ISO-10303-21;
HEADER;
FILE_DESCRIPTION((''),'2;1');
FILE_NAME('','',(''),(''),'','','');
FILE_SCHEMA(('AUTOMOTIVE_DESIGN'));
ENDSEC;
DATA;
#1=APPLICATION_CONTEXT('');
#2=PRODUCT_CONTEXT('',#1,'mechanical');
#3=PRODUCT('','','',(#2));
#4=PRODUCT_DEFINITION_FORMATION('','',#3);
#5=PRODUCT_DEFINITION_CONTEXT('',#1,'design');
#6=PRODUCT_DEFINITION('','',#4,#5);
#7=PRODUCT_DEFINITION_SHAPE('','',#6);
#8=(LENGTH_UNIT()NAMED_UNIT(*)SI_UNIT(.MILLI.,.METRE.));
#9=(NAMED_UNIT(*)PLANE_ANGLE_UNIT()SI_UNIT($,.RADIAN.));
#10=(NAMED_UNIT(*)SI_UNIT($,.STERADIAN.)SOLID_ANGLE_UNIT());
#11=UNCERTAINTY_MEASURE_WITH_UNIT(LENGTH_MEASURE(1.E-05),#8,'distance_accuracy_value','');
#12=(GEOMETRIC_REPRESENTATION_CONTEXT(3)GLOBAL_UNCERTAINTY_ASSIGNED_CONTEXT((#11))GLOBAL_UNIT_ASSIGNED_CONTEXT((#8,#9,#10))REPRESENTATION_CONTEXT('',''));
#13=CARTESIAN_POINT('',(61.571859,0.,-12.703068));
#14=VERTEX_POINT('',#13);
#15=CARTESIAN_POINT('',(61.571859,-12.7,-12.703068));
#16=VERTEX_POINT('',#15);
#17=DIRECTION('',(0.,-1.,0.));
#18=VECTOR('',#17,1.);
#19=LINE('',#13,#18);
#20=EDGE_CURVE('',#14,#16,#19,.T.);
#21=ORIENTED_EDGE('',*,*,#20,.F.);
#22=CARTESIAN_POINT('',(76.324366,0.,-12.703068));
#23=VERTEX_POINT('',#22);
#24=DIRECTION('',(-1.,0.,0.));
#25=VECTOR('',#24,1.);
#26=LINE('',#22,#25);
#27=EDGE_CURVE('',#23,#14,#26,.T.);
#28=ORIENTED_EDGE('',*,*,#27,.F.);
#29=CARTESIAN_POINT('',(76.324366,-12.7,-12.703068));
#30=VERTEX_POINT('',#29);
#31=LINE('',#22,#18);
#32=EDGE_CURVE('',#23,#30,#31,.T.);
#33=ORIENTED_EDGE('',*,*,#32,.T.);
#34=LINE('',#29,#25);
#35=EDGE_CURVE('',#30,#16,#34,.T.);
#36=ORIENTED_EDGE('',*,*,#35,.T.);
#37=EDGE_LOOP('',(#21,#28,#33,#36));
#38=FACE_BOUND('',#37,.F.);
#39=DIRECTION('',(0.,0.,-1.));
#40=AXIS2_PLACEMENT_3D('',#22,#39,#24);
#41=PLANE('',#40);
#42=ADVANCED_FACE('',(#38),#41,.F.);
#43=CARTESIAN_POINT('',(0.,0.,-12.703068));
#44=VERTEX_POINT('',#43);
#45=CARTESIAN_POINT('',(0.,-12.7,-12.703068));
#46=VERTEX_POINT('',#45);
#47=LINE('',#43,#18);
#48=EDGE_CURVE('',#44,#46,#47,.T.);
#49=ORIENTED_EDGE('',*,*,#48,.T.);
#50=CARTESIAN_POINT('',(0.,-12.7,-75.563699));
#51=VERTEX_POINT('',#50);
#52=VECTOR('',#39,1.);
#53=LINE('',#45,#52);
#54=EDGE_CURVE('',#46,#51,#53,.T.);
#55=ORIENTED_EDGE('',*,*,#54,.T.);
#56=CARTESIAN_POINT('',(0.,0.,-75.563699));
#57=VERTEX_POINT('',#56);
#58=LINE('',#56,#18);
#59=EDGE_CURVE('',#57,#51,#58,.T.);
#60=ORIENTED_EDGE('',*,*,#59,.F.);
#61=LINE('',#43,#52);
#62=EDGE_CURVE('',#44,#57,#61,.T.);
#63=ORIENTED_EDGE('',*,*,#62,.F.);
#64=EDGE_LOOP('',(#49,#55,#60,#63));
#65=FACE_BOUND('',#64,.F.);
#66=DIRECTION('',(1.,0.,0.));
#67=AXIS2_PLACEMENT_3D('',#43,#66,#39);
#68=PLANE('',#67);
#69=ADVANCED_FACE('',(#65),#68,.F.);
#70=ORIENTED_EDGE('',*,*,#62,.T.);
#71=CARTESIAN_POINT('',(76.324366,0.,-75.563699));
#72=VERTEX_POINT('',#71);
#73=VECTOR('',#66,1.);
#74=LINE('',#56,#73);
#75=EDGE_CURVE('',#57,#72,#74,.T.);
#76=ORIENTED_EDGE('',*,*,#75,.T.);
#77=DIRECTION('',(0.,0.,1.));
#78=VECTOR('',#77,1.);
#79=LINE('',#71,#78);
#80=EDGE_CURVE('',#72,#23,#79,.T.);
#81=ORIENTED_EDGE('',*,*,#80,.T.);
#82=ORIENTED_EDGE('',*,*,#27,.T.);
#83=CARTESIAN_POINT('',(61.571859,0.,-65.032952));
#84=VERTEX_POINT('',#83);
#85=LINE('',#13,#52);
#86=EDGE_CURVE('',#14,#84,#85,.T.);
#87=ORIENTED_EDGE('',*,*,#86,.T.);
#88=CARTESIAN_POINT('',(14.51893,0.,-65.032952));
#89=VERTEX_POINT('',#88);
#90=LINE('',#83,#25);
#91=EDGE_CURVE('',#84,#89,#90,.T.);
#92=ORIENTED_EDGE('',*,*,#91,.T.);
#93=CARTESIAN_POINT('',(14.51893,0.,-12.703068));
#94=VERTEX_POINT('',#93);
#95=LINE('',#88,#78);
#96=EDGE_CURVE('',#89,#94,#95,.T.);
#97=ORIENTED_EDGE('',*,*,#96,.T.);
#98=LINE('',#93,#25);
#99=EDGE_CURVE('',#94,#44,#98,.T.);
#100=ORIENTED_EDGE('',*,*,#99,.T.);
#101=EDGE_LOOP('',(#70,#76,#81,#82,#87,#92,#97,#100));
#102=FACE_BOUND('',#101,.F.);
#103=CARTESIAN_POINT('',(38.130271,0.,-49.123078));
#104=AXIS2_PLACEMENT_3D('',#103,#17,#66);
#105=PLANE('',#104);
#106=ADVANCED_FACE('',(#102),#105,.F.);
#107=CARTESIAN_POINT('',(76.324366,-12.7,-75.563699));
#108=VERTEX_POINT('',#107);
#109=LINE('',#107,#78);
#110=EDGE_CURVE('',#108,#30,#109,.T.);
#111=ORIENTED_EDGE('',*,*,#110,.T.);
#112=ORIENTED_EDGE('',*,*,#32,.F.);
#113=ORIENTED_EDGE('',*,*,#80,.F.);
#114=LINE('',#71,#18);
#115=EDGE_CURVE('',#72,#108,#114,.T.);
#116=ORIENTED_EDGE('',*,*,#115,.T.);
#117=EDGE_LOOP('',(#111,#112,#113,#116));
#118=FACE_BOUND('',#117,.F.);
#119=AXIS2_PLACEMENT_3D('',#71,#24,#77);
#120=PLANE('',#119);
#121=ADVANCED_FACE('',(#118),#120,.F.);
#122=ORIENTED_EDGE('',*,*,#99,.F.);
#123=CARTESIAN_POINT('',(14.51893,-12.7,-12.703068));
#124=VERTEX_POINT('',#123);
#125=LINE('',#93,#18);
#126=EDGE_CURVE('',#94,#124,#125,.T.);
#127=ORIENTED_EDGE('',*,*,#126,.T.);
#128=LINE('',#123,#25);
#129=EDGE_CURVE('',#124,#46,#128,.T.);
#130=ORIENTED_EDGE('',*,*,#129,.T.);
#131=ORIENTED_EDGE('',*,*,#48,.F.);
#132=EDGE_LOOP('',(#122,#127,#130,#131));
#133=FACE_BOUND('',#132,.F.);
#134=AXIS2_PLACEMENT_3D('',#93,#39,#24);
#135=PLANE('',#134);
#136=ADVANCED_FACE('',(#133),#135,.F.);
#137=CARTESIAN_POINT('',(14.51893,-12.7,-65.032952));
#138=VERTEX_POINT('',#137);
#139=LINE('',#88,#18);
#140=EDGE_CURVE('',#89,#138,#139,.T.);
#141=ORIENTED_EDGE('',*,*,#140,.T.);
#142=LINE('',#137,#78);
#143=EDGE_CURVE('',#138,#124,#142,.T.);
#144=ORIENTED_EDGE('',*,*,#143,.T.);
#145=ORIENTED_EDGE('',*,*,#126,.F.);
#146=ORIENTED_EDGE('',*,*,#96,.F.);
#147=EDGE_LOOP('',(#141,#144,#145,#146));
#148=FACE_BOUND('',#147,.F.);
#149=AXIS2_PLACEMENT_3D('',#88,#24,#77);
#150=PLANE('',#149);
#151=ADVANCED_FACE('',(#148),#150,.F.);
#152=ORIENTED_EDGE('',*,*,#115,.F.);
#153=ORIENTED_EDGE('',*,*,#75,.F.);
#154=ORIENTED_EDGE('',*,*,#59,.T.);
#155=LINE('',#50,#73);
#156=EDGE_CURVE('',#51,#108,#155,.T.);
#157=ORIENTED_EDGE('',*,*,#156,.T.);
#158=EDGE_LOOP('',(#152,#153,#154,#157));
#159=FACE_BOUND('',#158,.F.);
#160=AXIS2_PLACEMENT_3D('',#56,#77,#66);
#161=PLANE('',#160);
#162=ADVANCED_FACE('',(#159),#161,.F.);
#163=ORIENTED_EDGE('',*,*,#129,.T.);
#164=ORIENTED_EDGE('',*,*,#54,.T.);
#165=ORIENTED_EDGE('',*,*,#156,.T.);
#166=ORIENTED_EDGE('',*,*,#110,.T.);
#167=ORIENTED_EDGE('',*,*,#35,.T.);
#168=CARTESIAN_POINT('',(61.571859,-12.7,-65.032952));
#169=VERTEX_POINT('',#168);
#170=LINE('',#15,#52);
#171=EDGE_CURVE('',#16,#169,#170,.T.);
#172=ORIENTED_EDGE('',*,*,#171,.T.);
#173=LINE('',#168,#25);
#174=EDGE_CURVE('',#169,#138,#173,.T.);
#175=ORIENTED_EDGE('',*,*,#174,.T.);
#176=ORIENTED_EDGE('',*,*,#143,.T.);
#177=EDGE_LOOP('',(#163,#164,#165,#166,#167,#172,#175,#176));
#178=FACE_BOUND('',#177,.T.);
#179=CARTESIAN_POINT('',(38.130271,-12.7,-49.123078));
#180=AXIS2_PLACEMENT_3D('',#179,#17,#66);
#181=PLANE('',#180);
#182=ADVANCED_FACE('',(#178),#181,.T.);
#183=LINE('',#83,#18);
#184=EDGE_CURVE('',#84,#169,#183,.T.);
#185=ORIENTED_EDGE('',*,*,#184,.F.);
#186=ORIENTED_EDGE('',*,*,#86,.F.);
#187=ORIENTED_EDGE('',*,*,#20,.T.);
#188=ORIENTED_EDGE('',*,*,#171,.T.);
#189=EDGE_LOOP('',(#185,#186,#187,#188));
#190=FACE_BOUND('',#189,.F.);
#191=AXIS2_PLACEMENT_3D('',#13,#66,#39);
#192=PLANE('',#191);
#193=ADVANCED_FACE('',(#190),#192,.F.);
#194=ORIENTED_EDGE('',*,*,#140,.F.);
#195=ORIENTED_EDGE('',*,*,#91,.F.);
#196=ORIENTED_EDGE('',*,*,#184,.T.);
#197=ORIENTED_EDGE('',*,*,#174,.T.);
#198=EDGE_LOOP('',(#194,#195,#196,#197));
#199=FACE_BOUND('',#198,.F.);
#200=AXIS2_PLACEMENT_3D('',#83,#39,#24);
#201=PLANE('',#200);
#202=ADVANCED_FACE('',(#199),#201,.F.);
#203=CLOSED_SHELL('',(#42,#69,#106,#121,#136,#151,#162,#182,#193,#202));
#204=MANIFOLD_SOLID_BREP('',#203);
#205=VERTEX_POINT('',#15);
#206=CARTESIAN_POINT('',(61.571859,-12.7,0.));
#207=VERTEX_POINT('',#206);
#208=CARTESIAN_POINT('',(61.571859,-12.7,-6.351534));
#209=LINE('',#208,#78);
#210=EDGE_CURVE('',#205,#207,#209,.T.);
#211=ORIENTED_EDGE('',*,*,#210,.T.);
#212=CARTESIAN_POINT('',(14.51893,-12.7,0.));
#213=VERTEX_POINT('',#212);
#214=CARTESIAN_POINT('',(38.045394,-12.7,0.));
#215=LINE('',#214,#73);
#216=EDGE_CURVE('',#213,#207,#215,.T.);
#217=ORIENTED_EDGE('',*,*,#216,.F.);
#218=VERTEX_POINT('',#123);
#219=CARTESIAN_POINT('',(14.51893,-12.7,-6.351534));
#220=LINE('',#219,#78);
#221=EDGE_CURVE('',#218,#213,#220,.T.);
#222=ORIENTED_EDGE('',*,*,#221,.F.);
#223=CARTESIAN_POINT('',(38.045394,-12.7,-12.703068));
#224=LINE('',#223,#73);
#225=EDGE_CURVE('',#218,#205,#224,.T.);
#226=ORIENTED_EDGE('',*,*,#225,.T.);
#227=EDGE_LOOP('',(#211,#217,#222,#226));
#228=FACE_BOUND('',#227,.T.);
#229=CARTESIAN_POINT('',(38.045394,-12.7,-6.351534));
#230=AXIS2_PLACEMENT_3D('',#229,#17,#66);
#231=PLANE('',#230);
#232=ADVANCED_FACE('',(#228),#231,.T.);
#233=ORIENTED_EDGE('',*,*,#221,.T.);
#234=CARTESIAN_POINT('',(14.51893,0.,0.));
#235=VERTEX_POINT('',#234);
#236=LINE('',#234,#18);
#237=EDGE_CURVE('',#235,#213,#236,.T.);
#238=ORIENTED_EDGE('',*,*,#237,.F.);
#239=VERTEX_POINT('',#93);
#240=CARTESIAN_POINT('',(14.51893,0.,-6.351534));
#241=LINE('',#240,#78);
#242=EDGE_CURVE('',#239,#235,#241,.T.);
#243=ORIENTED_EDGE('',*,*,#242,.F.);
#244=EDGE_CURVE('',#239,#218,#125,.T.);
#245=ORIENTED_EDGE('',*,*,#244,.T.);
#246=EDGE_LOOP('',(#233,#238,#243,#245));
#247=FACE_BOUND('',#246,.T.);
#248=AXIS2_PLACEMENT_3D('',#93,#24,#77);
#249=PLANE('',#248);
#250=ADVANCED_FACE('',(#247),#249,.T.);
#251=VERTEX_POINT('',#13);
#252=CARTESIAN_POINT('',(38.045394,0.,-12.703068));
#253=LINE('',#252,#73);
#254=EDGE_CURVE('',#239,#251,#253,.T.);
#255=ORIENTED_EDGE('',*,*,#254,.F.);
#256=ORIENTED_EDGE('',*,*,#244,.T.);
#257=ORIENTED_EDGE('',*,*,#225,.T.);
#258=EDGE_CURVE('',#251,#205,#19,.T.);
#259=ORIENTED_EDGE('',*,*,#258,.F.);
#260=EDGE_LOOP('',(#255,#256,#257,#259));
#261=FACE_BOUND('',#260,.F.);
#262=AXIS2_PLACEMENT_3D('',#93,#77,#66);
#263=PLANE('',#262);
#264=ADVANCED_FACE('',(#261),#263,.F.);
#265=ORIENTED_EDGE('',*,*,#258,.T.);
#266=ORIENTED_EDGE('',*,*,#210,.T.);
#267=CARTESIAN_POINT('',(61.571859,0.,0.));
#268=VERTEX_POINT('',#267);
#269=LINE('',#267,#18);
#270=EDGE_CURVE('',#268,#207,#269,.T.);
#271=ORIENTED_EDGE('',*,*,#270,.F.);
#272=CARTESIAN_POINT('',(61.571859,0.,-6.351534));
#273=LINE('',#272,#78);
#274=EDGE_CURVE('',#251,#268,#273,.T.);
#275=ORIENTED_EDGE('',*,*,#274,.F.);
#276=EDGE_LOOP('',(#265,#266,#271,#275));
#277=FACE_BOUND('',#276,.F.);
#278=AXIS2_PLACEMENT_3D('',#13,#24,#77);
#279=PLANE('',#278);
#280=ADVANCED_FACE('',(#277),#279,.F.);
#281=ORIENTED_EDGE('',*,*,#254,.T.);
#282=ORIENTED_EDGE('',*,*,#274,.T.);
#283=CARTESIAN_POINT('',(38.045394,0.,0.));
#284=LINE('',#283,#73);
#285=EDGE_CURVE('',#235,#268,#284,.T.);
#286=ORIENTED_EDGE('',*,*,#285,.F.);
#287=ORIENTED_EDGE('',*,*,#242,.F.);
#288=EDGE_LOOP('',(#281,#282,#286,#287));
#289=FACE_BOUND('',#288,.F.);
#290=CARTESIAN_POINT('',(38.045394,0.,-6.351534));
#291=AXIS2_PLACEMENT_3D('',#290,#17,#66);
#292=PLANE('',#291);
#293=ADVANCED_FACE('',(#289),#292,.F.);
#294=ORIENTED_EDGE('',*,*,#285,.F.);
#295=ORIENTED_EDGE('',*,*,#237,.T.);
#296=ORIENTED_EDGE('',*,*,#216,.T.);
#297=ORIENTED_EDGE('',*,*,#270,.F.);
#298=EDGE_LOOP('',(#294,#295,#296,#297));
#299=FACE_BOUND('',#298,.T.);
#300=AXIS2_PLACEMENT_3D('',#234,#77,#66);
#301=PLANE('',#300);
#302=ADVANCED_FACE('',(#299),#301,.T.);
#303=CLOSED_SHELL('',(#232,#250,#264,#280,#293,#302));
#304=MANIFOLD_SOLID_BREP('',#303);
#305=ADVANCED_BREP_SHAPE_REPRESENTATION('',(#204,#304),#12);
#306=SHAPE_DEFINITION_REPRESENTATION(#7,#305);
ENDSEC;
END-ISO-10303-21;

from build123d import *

# Parameters (mm, degrees)
F1_DEPTH = 12.7
F0_W     = 47.0529291779
F0_H     = 12.7030676231


with BuildPart() as f1:
    # F0 (on Front) → F1 (new body)
    with BuildSketch(Plane.XZ):
        Polygon((14.5189296454, -12.7030676231), (0, -12.7030676231), (0, -75.563699007), (76.3243660331, -75.563699007), (76.3243660331, -12.7030676231), (61.5718588233, -12.7030676231), (61.5718588233, -65.0329515338), (14.5189296454, -65.0329515338), align=None)
    extrude(amount=F1_DEPTH)


with BuildPart() as f1b:
    # F0 (on Front) → F1, piece 2 (new body)
    with BuildSketch(Plane.XZ):
        with Locations((38.0453942344, -6.3515338115)):
            Rectangle(F0_W, F0_H)
    extrude(amount=F1_DEPTH)


solid = Compound([f1.part, f1b.part])
